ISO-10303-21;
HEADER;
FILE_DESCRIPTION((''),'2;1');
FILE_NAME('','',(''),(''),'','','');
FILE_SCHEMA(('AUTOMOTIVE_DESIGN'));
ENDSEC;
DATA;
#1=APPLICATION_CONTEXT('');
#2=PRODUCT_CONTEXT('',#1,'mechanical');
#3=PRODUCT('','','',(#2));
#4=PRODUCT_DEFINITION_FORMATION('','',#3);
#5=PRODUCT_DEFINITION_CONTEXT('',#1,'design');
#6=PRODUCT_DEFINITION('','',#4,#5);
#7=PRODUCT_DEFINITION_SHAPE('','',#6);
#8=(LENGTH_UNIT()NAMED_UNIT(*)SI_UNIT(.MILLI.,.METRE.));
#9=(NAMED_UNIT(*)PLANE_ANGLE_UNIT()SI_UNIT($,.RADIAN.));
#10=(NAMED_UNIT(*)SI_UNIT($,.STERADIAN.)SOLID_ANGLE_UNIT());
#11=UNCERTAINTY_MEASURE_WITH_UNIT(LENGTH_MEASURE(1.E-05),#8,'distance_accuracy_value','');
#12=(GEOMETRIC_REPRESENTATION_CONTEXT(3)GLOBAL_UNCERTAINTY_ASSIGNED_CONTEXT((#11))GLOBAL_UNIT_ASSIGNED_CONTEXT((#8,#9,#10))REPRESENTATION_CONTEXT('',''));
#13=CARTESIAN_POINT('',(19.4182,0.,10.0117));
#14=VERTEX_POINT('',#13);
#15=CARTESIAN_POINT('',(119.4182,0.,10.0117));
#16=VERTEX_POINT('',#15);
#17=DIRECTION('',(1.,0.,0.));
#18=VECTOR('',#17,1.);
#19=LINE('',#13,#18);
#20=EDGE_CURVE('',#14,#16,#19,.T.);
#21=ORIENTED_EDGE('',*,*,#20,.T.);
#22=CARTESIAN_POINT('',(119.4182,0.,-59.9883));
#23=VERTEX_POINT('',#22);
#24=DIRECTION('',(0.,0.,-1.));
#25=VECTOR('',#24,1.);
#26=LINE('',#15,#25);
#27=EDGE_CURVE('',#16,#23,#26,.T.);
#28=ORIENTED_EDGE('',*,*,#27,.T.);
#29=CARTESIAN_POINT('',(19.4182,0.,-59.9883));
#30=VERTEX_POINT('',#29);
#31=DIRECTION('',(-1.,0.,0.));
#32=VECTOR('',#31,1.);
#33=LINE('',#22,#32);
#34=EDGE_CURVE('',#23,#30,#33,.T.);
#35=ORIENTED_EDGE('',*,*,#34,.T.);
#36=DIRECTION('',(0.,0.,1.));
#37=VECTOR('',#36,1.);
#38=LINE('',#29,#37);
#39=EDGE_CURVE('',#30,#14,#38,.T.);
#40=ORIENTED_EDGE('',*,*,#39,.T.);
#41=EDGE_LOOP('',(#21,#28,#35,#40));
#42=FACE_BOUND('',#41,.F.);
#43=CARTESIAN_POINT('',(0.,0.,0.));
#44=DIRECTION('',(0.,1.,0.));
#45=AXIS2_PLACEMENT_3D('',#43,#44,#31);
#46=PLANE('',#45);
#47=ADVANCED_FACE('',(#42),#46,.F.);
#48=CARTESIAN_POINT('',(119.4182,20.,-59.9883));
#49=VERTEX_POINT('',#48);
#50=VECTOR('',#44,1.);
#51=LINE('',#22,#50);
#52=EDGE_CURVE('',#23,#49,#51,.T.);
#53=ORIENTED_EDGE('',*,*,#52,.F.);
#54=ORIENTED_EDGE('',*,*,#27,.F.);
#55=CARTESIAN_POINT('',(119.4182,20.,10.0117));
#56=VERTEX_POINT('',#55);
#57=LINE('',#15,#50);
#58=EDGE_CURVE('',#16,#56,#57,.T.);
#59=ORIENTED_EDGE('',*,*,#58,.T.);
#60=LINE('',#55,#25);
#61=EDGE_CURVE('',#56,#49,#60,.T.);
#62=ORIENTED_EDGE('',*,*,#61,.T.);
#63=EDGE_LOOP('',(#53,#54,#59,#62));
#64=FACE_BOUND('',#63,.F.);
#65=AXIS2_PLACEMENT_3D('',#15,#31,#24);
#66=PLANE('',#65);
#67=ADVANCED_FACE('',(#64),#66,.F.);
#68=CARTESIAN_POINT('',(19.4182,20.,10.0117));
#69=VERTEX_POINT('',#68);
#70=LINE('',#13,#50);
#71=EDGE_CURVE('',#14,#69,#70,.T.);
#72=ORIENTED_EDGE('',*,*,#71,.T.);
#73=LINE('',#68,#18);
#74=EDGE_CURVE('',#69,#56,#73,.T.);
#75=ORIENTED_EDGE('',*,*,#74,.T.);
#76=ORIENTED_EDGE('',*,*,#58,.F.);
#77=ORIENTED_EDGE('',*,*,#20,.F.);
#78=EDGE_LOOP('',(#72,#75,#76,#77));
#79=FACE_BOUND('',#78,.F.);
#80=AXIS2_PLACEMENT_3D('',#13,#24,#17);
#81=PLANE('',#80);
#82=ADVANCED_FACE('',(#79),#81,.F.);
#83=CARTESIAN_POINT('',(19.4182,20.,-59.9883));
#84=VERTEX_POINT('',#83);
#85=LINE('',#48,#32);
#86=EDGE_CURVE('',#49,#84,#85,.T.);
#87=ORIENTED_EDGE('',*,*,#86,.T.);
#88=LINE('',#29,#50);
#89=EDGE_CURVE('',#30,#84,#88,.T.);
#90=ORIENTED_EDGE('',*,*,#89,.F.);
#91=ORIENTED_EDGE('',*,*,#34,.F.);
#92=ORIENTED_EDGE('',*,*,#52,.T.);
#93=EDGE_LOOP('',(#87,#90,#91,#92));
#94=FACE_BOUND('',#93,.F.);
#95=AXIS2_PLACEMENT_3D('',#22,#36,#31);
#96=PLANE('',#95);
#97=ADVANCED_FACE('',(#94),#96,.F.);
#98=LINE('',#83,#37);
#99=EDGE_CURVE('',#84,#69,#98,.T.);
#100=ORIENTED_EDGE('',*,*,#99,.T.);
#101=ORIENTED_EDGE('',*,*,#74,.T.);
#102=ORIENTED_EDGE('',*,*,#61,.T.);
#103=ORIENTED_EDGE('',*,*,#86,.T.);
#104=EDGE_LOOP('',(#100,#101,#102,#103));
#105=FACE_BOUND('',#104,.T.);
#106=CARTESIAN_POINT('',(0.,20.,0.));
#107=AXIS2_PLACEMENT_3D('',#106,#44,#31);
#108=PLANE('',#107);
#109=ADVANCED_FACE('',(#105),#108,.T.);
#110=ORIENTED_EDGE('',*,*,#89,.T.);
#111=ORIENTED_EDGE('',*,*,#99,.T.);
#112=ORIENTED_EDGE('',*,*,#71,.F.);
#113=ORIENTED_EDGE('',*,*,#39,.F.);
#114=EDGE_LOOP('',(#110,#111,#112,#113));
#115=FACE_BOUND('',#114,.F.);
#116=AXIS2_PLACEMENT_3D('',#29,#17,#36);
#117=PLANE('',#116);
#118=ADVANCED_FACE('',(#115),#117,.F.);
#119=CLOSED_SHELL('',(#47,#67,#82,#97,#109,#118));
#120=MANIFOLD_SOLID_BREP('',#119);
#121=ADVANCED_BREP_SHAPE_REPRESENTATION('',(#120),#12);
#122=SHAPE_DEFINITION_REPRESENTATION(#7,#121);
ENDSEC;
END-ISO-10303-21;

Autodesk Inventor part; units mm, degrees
ref_plane "YZ Plane" through (0, 0, 0) normal (1, 0, 0) x (0, 1, 0)
ref_plane "XZ Plane" through (0, 0, 0) normal (0, 1, 0) x (-1, 0, 0)
ref_plane "XY Plane" through (0, 0, 0) normal (0, 0, 1) x (1, 0, 0)
sketch "スケッチ1" plane through (0, 0, 0) normal (0, 1, 0) x (-1, 0, 0)
  line L0 (-19.4182, 10.0117) -> (-119.4182, 10.0117)
  line L1 (-119.4182, 10.0117) -> (-119.4182, -59.9883)
  line L2 (-119.4182, -59.9883) -> (-19.4182, -59.9883)
  line L3 (-19.4182, -59.9883) -> (-19.4182, 10.0117)
  point P0 (0, 0)
  dimension "d0" = 100
  dimension "d1" = 70
extrude "押し出し1" add sketch "スケッチ1" along normal blind 20
properties part number "batt"
